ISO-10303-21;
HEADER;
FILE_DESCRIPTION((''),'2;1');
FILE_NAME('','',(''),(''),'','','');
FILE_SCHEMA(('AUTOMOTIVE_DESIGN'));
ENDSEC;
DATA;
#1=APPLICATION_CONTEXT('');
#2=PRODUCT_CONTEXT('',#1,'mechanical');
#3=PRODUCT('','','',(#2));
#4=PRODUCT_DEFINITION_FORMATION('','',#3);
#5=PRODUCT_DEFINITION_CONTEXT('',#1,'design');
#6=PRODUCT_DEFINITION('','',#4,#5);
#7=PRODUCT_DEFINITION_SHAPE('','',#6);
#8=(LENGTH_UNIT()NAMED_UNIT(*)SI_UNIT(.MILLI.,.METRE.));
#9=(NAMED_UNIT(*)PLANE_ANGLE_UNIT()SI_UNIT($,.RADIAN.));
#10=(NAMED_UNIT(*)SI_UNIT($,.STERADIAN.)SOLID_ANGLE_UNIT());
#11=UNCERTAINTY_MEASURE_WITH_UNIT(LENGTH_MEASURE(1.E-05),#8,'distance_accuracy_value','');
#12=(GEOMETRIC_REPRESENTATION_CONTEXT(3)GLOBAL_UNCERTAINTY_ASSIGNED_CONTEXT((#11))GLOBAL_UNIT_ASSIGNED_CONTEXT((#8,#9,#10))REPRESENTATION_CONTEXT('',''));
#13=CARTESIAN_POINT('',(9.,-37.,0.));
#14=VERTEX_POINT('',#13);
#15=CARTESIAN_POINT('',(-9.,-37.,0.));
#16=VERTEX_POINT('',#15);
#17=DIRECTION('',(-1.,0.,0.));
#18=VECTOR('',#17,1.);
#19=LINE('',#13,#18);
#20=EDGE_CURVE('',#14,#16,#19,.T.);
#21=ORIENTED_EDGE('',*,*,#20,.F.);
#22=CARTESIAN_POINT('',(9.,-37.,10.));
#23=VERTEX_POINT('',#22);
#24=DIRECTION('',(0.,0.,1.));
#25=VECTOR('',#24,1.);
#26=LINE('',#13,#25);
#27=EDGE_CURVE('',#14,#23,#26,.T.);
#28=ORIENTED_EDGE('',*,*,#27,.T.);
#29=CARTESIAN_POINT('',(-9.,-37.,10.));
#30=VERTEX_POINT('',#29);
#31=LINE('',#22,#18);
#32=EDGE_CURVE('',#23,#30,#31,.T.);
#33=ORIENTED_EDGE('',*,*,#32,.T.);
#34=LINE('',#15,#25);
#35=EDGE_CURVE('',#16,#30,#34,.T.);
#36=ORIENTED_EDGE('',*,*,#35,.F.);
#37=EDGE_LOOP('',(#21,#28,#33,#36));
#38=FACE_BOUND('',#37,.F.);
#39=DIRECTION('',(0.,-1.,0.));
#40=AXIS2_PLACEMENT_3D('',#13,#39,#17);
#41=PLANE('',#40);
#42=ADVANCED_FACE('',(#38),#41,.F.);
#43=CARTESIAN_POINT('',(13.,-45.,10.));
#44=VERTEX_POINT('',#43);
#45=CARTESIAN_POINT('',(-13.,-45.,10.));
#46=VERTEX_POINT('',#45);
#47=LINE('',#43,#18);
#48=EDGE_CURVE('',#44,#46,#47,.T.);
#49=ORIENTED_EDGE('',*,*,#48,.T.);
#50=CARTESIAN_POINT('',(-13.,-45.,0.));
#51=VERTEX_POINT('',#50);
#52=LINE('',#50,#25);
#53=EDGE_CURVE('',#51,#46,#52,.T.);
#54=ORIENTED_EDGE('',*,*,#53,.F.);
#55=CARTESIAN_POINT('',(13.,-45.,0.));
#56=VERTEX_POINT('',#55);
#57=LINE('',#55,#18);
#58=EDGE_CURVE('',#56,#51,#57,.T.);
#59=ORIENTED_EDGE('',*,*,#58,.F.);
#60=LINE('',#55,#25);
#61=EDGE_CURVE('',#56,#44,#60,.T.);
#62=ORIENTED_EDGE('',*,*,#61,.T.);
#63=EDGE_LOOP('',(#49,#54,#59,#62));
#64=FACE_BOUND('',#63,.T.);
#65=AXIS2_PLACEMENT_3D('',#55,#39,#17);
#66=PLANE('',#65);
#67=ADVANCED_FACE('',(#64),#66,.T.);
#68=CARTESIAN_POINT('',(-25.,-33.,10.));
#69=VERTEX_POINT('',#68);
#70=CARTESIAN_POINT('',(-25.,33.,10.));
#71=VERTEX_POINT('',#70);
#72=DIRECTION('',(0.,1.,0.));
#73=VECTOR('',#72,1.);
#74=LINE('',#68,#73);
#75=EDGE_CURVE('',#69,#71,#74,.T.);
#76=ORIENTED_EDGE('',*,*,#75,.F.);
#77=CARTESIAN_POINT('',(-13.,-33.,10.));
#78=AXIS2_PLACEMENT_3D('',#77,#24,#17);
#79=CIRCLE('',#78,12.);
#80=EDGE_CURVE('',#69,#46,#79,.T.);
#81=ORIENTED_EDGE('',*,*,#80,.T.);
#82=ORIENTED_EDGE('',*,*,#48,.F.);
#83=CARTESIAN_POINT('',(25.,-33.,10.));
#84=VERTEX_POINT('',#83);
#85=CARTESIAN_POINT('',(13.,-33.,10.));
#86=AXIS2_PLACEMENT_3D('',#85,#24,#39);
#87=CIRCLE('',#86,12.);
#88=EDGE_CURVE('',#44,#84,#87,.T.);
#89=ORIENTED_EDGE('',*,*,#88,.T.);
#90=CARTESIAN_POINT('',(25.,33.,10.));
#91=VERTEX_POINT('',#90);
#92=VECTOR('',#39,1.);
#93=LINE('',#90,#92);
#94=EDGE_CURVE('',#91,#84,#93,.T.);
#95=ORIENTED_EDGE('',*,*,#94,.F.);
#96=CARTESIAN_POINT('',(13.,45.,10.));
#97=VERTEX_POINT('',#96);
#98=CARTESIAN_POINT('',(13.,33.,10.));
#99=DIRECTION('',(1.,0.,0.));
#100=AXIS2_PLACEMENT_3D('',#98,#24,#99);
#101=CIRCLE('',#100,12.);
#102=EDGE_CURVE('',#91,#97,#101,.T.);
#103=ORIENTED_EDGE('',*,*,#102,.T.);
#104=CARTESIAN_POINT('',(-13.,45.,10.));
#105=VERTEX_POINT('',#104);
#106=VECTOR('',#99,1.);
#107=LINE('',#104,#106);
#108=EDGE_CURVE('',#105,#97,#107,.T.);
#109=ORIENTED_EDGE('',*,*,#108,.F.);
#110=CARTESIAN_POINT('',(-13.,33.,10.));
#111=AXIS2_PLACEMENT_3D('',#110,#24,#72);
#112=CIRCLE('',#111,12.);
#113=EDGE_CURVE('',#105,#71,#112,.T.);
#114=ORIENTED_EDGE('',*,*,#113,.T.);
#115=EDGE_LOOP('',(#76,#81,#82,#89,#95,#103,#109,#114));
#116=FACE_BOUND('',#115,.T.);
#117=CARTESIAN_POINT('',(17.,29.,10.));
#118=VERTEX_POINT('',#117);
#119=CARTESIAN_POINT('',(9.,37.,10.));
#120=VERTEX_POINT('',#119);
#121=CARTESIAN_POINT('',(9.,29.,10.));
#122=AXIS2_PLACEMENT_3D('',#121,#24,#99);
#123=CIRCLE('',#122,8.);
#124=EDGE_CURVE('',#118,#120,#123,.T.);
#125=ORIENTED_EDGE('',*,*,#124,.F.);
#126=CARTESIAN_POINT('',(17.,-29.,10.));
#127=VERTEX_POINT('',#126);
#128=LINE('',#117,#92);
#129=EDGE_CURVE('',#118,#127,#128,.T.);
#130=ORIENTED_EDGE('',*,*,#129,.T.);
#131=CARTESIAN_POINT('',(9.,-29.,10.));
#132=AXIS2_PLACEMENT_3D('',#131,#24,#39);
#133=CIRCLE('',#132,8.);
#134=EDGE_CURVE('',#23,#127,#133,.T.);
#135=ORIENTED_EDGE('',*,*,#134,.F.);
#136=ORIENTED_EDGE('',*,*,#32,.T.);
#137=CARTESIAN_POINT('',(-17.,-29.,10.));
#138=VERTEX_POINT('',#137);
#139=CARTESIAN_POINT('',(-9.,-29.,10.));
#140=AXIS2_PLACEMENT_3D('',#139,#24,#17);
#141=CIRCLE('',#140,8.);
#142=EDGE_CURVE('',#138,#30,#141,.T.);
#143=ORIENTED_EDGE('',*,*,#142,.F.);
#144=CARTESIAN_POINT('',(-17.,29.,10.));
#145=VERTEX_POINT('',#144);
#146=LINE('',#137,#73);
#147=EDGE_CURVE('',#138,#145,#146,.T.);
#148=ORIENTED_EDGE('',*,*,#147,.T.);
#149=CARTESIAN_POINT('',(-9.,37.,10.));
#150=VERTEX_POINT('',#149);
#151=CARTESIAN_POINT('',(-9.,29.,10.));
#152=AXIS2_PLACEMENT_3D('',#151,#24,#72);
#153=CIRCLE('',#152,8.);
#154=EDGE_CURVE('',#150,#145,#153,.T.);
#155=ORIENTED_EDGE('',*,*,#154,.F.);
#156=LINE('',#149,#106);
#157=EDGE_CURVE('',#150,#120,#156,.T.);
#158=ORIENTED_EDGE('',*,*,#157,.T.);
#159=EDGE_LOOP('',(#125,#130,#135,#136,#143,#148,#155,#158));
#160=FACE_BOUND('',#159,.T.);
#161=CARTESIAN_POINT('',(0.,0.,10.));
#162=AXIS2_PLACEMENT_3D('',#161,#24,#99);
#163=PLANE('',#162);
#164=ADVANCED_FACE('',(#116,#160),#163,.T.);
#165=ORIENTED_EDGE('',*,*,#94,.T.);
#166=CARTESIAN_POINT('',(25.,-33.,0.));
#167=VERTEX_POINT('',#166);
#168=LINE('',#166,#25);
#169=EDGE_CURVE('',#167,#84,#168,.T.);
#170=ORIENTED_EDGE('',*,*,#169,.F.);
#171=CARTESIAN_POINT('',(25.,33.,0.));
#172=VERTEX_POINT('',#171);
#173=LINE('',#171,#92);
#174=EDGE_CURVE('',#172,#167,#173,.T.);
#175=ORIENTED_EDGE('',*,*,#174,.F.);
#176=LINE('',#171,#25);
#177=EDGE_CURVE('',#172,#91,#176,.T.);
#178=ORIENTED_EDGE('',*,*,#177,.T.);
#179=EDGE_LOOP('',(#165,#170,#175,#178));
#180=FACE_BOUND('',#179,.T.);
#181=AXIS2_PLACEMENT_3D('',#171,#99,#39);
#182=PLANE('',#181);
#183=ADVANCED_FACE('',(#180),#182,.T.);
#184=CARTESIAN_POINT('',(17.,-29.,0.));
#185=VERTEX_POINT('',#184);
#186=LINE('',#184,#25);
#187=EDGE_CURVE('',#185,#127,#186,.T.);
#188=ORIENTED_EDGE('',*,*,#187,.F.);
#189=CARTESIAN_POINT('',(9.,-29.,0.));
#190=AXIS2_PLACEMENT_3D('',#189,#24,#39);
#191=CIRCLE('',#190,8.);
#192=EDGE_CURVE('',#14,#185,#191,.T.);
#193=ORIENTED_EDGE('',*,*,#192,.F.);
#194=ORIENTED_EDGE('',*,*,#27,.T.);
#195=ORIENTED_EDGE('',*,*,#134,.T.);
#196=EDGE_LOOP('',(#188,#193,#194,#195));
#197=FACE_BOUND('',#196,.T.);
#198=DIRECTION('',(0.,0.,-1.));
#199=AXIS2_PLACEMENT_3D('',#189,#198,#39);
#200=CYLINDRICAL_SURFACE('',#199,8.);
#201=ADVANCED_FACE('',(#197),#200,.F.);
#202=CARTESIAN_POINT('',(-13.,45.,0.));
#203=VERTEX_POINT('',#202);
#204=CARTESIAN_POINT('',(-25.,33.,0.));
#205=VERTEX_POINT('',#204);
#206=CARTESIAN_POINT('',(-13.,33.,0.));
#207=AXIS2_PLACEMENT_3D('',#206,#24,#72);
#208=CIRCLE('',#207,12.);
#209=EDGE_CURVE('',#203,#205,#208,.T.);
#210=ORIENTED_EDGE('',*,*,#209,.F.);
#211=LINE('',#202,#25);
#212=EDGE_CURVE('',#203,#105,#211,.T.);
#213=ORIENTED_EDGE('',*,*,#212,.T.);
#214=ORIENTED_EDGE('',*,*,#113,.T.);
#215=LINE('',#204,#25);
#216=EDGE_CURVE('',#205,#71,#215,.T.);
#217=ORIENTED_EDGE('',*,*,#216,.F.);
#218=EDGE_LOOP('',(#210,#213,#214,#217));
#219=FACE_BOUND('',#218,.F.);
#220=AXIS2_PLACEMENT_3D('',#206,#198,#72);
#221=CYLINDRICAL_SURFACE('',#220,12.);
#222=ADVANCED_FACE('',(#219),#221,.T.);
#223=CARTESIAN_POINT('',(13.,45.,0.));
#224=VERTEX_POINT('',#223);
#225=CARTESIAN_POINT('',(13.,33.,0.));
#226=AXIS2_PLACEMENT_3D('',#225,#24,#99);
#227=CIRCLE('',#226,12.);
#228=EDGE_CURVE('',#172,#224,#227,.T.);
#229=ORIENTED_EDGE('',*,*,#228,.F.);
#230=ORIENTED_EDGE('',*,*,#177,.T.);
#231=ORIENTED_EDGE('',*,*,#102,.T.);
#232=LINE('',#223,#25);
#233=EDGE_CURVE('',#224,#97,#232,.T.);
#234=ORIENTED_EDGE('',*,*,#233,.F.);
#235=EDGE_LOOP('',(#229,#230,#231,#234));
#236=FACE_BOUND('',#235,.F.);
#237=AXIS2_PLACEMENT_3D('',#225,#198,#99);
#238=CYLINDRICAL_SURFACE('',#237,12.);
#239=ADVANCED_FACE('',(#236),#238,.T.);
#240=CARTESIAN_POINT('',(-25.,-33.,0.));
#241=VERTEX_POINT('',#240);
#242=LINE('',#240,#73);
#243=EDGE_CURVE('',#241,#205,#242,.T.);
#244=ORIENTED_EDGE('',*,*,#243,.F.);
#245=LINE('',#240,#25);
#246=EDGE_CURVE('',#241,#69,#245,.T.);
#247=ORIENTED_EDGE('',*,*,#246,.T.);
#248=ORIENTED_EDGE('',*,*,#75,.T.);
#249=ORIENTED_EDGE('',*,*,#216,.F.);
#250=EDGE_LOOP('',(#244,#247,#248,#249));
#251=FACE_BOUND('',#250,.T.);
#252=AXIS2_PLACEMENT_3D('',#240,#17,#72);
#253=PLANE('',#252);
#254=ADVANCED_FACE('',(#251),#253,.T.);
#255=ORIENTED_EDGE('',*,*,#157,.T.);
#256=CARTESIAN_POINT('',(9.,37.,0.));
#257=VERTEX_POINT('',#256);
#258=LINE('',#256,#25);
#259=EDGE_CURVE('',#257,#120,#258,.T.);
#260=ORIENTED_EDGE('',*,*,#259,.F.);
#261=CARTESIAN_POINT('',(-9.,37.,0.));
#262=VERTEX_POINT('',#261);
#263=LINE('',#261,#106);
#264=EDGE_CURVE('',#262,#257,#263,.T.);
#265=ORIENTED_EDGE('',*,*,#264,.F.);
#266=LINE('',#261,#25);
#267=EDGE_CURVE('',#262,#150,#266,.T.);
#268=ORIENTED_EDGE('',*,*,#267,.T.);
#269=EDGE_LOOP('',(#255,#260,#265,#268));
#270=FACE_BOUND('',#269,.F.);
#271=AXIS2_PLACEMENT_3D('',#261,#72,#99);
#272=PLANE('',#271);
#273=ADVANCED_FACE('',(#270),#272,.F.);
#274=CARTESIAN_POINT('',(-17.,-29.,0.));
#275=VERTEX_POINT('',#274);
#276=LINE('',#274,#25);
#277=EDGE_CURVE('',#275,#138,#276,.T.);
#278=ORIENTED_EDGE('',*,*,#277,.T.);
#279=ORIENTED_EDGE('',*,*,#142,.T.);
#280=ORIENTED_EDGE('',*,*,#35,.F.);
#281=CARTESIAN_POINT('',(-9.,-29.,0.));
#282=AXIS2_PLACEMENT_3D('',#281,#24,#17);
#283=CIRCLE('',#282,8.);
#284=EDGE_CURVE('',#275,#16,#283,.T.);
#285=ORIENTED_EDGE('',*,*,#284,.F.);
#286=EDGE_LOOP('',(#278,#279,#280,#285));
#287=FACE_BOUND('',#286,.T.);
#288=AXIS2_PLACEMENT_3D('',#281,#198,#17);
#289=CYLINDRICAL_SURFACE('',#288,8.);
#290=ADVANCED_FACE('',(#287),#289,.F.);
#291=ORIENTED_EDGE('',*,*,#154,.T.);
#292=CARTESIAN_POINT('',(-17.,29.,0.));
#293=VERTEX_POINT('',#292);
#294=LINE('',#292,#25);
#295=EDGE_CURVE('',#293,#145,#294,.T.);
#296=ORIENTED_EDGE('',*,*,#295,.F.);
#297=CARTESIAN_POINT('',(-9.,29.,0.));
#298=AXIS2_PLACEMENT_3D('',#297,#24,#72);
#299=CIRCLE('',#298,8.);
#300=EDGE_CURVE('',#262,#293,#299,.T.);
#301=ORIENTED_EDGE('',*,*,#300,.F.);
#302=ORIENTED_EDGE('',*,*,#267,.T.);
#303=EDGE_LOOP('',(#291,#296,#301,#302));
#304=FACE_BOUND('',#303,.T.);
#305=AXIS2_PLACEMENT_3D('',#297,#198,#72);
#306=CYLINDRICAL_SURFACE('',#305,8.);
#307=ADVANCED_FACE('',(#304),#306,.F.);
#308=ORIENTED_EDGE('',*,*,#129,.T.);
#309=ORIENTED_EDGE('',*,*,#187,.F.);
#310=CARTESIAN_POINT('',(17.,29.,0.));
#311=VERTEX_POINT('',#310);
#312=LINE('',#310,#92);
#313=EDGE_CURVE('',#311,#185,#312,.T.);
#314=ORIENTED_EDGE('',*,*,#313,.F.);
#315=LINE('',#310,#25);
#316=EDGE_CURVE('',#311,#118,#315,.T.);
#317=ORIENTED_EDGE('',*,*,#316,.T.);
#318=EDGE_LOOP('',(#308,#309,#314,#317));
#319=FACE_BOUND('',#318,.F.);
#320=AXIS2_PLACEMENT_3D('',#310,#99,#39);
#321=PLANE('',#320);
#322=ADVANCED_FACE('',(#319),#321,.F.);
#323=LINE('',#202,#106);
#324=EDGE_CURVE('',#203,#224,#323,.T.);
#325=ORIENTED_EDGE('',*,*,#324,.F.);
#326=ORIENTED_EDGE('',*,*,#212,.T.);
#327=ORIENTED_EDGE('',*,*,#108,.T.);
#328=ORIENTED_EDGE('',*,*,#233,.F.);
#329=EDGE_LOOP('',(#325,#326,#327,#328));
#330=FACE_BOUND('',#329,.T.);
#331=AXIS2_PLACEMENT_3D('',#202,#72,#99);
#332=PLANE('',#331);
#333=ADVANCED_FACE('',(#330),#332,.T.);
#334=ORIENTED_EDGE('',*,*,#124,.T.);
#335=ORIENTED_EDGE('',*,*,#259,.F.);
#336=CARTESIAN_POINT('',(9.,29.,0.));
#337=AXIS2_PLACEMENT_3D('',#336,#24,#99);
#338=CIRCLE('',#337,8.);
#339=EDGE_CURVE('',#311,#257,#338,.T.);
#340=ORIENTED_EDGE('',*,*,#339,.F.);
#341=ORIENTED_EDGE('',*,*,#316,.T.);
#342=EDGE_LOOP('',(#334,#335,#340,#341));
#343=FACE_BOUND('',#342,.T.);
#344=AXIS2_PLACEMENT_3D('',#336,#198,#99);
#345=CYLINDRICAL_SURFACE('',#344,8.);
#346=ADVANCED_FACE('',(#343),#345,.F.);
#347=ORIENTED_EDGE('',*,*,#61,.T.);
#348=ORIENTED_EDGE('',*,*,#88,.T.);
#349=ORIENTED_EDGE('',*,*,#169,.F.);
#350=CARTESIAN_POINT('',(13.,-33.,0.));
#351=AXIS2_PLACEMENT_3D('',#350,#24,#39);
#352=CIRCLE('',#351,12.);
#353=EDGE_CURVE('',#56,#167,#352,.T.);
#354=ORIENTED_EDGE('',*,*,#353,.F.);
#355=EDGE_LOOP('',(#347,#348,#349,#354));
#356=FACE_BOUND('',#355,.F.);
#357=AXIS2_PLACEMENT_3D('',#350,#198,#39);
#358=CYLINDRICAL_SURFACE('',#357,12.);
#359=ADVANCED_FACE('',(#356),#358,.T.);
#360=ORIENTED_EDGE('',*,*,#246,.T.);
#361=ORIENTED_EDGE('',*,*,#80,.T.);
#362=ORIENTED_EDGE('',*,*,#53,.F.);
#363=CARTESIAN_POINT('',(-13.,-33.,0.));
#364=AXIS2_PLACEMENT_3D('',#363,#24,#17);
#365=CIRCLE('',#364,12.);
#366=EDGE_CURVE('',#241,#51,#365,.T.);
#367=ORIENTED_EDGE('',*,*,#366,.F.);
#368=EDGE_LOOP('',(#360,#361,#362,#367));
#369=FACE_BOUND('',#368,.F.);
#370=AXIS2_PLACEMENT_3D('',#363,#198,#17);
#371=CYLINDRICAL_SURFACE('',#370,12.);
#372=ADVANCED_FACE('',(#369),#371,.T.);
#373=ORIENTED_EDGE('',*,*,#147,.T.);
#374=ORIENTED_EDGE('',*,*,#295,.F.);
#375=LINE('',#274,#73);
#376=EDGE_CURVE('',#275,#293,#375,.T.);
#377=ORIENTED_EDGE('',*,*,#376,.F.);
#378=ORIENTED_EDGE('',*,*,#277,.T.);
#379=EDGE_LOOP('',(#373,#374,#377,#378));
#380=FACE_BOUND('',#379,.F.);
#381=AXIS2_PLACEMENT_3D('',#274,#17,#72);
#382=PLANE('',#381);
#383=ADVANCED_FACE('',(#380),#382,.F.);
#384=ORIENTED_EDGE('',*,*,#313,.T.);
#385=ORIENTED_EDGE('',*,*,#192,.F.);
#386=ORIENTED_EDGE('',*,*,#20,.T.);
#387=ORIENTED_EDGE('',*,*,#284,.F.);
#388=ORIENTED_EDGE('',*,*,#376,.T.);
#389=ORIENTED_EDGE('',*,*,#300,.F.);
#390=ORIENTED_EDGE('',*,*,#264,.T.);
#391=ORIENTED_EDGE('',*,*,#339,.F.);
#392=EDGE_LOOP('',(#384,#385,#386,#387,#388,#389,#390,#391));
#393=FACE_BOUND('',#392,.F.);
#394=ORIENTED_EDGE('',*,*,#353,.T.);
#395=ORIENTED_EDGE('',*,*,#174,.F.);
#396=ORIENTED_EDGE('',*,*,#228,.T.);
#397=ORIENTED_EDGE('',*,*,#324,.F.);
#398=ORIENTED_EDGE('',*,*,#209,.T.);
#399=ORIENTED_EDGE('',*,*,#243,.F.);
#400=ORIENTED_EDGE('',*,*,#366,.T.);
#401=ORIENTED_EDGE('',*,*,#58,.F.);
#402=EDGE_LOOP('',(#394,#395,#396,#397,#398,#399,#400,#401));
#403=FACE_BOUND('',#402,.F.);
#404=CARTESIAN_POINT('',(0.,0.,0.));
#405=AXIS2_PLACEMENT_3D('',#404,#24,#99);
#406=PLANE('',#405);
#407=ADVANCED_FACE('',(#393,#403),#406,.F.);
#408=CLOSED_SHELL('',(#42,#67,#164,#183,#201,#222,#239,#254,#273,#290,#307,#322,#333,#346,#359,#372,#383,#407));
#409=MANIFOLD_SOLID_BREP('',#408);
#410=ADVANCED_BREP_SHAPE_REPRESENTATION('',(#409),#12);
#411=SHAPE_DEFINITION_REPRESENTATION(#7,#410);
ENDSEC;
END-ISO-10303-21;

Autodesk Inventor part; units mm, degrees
ref_plane "YZ Plane" through (0, 0, 0) normal (1, 0, 0) x (0, 1, 0)
ref_plane "Startebene" through (0, 0, 0) normal (0, 0, 1) x (1, 0, 0)
ref_plane "Endebene" through (0, 0, 10) normal (0, 0, 1) x (1, 0, 0)
sketch "Skizze" plane through (0, 0, 0) normal (0, 0, 1) x (1, 0, 0)
  line L0 (-25, -33) -> (-25, 33)
  line L1 (-13, 45) -> (13, 45)
  line L2 (25, 33) -> (25, -33)
  line L3 (13, -45) -> (-13, -45)
  arc A0 (-25, -33) -> (-13, -45) centre (-13, -33) ccw
  arc A1 (-13, 45) -> (-25, 33) centre (-13, 33) ccw
  arc A2 (25, 33) -> (13, 45) centre (13, 33) ccw
  arc A3 (13, -45) -> (25, -33) centre (13, -33) ccw
  line L4 (-9, 37) -> (9, 37)
  line L5 (17, 29) -> (17, -29)
  line L6 (9, -37) -> (-9, -37)
  line L7 (-17, -29) -> (-17, 29)
  line L8 (0, 37.1021) -> (0, -37.1021) construction
  line L9 (-23.1021, 0) -> (23.1021, 0) construction
  arc A4 (-17, -29) -> (-9, -37) centre (-9, -29) ccw
  arc A5 (-9, 37) -> (-17, 29) centre (-9, 29) ccw
  arc A6 (17, 29) -> (9, 37) centre (9, 29) ccw
  arc A7 (9, -37) -> (17, -29) centre (9, -29) ccw
  dimension "d7" = 12
  dimension "d10" = 90
  dimension "d11" = 50
  dimension "d12" = 8
  dimension "d15" = 45
  dimension "d16" = 25
  dimension "d19" = 8
  dimension "d20" = 8
extrude "Körper" add sketch "Skizze" along normal up to surface (10 mm away) from surface at 0
sketch "Sketch3" plane through (0, 0, 0) normal (0, 0, 1) x (1, 0, 0)
  line L0 (0, 0) -> (10, 0)
ref_plane "Work Plane3" through (0, 0, 0) normal (0, -1, 0) x (1, 0, 0)
sketch "Sketch4" plane through (0, 0, 0) normal (0, -1, 0) x (1, 0, 0)
  line L0 (-2, 0) -> (12, 0)
  line L1 (-2, 10) -> (12, 10)
  dimension "d18" = 10
equation "\"d7\" = G_IR"
equation "\"d10\" = G_H"
equation "\"d11\" = G_W"
equation "\"d12\" = G_T"
equation "\"d15\" = 0.5 * d10"
equation "\"d16\" = 0.5 * d11"
equation "\"d19\" = G_T"
equation "\"d20\" = G_T"
equation "\"d3\" = G_L"
equation "\"G_W\" = 50"
equation "\"G_H\" = 90"
equation "\"G_T\" = 8"
equation "\"G_IR\" = 12"
equation "\"G_L\" = d18"
equation "\"G_OFFSET_START\" = 0"
equation "\"G_OFFSET_END\" = 0"
properties part number "EN 10210-2 - 90 x 50 x 8 - 10" material "Stahl, weich"
